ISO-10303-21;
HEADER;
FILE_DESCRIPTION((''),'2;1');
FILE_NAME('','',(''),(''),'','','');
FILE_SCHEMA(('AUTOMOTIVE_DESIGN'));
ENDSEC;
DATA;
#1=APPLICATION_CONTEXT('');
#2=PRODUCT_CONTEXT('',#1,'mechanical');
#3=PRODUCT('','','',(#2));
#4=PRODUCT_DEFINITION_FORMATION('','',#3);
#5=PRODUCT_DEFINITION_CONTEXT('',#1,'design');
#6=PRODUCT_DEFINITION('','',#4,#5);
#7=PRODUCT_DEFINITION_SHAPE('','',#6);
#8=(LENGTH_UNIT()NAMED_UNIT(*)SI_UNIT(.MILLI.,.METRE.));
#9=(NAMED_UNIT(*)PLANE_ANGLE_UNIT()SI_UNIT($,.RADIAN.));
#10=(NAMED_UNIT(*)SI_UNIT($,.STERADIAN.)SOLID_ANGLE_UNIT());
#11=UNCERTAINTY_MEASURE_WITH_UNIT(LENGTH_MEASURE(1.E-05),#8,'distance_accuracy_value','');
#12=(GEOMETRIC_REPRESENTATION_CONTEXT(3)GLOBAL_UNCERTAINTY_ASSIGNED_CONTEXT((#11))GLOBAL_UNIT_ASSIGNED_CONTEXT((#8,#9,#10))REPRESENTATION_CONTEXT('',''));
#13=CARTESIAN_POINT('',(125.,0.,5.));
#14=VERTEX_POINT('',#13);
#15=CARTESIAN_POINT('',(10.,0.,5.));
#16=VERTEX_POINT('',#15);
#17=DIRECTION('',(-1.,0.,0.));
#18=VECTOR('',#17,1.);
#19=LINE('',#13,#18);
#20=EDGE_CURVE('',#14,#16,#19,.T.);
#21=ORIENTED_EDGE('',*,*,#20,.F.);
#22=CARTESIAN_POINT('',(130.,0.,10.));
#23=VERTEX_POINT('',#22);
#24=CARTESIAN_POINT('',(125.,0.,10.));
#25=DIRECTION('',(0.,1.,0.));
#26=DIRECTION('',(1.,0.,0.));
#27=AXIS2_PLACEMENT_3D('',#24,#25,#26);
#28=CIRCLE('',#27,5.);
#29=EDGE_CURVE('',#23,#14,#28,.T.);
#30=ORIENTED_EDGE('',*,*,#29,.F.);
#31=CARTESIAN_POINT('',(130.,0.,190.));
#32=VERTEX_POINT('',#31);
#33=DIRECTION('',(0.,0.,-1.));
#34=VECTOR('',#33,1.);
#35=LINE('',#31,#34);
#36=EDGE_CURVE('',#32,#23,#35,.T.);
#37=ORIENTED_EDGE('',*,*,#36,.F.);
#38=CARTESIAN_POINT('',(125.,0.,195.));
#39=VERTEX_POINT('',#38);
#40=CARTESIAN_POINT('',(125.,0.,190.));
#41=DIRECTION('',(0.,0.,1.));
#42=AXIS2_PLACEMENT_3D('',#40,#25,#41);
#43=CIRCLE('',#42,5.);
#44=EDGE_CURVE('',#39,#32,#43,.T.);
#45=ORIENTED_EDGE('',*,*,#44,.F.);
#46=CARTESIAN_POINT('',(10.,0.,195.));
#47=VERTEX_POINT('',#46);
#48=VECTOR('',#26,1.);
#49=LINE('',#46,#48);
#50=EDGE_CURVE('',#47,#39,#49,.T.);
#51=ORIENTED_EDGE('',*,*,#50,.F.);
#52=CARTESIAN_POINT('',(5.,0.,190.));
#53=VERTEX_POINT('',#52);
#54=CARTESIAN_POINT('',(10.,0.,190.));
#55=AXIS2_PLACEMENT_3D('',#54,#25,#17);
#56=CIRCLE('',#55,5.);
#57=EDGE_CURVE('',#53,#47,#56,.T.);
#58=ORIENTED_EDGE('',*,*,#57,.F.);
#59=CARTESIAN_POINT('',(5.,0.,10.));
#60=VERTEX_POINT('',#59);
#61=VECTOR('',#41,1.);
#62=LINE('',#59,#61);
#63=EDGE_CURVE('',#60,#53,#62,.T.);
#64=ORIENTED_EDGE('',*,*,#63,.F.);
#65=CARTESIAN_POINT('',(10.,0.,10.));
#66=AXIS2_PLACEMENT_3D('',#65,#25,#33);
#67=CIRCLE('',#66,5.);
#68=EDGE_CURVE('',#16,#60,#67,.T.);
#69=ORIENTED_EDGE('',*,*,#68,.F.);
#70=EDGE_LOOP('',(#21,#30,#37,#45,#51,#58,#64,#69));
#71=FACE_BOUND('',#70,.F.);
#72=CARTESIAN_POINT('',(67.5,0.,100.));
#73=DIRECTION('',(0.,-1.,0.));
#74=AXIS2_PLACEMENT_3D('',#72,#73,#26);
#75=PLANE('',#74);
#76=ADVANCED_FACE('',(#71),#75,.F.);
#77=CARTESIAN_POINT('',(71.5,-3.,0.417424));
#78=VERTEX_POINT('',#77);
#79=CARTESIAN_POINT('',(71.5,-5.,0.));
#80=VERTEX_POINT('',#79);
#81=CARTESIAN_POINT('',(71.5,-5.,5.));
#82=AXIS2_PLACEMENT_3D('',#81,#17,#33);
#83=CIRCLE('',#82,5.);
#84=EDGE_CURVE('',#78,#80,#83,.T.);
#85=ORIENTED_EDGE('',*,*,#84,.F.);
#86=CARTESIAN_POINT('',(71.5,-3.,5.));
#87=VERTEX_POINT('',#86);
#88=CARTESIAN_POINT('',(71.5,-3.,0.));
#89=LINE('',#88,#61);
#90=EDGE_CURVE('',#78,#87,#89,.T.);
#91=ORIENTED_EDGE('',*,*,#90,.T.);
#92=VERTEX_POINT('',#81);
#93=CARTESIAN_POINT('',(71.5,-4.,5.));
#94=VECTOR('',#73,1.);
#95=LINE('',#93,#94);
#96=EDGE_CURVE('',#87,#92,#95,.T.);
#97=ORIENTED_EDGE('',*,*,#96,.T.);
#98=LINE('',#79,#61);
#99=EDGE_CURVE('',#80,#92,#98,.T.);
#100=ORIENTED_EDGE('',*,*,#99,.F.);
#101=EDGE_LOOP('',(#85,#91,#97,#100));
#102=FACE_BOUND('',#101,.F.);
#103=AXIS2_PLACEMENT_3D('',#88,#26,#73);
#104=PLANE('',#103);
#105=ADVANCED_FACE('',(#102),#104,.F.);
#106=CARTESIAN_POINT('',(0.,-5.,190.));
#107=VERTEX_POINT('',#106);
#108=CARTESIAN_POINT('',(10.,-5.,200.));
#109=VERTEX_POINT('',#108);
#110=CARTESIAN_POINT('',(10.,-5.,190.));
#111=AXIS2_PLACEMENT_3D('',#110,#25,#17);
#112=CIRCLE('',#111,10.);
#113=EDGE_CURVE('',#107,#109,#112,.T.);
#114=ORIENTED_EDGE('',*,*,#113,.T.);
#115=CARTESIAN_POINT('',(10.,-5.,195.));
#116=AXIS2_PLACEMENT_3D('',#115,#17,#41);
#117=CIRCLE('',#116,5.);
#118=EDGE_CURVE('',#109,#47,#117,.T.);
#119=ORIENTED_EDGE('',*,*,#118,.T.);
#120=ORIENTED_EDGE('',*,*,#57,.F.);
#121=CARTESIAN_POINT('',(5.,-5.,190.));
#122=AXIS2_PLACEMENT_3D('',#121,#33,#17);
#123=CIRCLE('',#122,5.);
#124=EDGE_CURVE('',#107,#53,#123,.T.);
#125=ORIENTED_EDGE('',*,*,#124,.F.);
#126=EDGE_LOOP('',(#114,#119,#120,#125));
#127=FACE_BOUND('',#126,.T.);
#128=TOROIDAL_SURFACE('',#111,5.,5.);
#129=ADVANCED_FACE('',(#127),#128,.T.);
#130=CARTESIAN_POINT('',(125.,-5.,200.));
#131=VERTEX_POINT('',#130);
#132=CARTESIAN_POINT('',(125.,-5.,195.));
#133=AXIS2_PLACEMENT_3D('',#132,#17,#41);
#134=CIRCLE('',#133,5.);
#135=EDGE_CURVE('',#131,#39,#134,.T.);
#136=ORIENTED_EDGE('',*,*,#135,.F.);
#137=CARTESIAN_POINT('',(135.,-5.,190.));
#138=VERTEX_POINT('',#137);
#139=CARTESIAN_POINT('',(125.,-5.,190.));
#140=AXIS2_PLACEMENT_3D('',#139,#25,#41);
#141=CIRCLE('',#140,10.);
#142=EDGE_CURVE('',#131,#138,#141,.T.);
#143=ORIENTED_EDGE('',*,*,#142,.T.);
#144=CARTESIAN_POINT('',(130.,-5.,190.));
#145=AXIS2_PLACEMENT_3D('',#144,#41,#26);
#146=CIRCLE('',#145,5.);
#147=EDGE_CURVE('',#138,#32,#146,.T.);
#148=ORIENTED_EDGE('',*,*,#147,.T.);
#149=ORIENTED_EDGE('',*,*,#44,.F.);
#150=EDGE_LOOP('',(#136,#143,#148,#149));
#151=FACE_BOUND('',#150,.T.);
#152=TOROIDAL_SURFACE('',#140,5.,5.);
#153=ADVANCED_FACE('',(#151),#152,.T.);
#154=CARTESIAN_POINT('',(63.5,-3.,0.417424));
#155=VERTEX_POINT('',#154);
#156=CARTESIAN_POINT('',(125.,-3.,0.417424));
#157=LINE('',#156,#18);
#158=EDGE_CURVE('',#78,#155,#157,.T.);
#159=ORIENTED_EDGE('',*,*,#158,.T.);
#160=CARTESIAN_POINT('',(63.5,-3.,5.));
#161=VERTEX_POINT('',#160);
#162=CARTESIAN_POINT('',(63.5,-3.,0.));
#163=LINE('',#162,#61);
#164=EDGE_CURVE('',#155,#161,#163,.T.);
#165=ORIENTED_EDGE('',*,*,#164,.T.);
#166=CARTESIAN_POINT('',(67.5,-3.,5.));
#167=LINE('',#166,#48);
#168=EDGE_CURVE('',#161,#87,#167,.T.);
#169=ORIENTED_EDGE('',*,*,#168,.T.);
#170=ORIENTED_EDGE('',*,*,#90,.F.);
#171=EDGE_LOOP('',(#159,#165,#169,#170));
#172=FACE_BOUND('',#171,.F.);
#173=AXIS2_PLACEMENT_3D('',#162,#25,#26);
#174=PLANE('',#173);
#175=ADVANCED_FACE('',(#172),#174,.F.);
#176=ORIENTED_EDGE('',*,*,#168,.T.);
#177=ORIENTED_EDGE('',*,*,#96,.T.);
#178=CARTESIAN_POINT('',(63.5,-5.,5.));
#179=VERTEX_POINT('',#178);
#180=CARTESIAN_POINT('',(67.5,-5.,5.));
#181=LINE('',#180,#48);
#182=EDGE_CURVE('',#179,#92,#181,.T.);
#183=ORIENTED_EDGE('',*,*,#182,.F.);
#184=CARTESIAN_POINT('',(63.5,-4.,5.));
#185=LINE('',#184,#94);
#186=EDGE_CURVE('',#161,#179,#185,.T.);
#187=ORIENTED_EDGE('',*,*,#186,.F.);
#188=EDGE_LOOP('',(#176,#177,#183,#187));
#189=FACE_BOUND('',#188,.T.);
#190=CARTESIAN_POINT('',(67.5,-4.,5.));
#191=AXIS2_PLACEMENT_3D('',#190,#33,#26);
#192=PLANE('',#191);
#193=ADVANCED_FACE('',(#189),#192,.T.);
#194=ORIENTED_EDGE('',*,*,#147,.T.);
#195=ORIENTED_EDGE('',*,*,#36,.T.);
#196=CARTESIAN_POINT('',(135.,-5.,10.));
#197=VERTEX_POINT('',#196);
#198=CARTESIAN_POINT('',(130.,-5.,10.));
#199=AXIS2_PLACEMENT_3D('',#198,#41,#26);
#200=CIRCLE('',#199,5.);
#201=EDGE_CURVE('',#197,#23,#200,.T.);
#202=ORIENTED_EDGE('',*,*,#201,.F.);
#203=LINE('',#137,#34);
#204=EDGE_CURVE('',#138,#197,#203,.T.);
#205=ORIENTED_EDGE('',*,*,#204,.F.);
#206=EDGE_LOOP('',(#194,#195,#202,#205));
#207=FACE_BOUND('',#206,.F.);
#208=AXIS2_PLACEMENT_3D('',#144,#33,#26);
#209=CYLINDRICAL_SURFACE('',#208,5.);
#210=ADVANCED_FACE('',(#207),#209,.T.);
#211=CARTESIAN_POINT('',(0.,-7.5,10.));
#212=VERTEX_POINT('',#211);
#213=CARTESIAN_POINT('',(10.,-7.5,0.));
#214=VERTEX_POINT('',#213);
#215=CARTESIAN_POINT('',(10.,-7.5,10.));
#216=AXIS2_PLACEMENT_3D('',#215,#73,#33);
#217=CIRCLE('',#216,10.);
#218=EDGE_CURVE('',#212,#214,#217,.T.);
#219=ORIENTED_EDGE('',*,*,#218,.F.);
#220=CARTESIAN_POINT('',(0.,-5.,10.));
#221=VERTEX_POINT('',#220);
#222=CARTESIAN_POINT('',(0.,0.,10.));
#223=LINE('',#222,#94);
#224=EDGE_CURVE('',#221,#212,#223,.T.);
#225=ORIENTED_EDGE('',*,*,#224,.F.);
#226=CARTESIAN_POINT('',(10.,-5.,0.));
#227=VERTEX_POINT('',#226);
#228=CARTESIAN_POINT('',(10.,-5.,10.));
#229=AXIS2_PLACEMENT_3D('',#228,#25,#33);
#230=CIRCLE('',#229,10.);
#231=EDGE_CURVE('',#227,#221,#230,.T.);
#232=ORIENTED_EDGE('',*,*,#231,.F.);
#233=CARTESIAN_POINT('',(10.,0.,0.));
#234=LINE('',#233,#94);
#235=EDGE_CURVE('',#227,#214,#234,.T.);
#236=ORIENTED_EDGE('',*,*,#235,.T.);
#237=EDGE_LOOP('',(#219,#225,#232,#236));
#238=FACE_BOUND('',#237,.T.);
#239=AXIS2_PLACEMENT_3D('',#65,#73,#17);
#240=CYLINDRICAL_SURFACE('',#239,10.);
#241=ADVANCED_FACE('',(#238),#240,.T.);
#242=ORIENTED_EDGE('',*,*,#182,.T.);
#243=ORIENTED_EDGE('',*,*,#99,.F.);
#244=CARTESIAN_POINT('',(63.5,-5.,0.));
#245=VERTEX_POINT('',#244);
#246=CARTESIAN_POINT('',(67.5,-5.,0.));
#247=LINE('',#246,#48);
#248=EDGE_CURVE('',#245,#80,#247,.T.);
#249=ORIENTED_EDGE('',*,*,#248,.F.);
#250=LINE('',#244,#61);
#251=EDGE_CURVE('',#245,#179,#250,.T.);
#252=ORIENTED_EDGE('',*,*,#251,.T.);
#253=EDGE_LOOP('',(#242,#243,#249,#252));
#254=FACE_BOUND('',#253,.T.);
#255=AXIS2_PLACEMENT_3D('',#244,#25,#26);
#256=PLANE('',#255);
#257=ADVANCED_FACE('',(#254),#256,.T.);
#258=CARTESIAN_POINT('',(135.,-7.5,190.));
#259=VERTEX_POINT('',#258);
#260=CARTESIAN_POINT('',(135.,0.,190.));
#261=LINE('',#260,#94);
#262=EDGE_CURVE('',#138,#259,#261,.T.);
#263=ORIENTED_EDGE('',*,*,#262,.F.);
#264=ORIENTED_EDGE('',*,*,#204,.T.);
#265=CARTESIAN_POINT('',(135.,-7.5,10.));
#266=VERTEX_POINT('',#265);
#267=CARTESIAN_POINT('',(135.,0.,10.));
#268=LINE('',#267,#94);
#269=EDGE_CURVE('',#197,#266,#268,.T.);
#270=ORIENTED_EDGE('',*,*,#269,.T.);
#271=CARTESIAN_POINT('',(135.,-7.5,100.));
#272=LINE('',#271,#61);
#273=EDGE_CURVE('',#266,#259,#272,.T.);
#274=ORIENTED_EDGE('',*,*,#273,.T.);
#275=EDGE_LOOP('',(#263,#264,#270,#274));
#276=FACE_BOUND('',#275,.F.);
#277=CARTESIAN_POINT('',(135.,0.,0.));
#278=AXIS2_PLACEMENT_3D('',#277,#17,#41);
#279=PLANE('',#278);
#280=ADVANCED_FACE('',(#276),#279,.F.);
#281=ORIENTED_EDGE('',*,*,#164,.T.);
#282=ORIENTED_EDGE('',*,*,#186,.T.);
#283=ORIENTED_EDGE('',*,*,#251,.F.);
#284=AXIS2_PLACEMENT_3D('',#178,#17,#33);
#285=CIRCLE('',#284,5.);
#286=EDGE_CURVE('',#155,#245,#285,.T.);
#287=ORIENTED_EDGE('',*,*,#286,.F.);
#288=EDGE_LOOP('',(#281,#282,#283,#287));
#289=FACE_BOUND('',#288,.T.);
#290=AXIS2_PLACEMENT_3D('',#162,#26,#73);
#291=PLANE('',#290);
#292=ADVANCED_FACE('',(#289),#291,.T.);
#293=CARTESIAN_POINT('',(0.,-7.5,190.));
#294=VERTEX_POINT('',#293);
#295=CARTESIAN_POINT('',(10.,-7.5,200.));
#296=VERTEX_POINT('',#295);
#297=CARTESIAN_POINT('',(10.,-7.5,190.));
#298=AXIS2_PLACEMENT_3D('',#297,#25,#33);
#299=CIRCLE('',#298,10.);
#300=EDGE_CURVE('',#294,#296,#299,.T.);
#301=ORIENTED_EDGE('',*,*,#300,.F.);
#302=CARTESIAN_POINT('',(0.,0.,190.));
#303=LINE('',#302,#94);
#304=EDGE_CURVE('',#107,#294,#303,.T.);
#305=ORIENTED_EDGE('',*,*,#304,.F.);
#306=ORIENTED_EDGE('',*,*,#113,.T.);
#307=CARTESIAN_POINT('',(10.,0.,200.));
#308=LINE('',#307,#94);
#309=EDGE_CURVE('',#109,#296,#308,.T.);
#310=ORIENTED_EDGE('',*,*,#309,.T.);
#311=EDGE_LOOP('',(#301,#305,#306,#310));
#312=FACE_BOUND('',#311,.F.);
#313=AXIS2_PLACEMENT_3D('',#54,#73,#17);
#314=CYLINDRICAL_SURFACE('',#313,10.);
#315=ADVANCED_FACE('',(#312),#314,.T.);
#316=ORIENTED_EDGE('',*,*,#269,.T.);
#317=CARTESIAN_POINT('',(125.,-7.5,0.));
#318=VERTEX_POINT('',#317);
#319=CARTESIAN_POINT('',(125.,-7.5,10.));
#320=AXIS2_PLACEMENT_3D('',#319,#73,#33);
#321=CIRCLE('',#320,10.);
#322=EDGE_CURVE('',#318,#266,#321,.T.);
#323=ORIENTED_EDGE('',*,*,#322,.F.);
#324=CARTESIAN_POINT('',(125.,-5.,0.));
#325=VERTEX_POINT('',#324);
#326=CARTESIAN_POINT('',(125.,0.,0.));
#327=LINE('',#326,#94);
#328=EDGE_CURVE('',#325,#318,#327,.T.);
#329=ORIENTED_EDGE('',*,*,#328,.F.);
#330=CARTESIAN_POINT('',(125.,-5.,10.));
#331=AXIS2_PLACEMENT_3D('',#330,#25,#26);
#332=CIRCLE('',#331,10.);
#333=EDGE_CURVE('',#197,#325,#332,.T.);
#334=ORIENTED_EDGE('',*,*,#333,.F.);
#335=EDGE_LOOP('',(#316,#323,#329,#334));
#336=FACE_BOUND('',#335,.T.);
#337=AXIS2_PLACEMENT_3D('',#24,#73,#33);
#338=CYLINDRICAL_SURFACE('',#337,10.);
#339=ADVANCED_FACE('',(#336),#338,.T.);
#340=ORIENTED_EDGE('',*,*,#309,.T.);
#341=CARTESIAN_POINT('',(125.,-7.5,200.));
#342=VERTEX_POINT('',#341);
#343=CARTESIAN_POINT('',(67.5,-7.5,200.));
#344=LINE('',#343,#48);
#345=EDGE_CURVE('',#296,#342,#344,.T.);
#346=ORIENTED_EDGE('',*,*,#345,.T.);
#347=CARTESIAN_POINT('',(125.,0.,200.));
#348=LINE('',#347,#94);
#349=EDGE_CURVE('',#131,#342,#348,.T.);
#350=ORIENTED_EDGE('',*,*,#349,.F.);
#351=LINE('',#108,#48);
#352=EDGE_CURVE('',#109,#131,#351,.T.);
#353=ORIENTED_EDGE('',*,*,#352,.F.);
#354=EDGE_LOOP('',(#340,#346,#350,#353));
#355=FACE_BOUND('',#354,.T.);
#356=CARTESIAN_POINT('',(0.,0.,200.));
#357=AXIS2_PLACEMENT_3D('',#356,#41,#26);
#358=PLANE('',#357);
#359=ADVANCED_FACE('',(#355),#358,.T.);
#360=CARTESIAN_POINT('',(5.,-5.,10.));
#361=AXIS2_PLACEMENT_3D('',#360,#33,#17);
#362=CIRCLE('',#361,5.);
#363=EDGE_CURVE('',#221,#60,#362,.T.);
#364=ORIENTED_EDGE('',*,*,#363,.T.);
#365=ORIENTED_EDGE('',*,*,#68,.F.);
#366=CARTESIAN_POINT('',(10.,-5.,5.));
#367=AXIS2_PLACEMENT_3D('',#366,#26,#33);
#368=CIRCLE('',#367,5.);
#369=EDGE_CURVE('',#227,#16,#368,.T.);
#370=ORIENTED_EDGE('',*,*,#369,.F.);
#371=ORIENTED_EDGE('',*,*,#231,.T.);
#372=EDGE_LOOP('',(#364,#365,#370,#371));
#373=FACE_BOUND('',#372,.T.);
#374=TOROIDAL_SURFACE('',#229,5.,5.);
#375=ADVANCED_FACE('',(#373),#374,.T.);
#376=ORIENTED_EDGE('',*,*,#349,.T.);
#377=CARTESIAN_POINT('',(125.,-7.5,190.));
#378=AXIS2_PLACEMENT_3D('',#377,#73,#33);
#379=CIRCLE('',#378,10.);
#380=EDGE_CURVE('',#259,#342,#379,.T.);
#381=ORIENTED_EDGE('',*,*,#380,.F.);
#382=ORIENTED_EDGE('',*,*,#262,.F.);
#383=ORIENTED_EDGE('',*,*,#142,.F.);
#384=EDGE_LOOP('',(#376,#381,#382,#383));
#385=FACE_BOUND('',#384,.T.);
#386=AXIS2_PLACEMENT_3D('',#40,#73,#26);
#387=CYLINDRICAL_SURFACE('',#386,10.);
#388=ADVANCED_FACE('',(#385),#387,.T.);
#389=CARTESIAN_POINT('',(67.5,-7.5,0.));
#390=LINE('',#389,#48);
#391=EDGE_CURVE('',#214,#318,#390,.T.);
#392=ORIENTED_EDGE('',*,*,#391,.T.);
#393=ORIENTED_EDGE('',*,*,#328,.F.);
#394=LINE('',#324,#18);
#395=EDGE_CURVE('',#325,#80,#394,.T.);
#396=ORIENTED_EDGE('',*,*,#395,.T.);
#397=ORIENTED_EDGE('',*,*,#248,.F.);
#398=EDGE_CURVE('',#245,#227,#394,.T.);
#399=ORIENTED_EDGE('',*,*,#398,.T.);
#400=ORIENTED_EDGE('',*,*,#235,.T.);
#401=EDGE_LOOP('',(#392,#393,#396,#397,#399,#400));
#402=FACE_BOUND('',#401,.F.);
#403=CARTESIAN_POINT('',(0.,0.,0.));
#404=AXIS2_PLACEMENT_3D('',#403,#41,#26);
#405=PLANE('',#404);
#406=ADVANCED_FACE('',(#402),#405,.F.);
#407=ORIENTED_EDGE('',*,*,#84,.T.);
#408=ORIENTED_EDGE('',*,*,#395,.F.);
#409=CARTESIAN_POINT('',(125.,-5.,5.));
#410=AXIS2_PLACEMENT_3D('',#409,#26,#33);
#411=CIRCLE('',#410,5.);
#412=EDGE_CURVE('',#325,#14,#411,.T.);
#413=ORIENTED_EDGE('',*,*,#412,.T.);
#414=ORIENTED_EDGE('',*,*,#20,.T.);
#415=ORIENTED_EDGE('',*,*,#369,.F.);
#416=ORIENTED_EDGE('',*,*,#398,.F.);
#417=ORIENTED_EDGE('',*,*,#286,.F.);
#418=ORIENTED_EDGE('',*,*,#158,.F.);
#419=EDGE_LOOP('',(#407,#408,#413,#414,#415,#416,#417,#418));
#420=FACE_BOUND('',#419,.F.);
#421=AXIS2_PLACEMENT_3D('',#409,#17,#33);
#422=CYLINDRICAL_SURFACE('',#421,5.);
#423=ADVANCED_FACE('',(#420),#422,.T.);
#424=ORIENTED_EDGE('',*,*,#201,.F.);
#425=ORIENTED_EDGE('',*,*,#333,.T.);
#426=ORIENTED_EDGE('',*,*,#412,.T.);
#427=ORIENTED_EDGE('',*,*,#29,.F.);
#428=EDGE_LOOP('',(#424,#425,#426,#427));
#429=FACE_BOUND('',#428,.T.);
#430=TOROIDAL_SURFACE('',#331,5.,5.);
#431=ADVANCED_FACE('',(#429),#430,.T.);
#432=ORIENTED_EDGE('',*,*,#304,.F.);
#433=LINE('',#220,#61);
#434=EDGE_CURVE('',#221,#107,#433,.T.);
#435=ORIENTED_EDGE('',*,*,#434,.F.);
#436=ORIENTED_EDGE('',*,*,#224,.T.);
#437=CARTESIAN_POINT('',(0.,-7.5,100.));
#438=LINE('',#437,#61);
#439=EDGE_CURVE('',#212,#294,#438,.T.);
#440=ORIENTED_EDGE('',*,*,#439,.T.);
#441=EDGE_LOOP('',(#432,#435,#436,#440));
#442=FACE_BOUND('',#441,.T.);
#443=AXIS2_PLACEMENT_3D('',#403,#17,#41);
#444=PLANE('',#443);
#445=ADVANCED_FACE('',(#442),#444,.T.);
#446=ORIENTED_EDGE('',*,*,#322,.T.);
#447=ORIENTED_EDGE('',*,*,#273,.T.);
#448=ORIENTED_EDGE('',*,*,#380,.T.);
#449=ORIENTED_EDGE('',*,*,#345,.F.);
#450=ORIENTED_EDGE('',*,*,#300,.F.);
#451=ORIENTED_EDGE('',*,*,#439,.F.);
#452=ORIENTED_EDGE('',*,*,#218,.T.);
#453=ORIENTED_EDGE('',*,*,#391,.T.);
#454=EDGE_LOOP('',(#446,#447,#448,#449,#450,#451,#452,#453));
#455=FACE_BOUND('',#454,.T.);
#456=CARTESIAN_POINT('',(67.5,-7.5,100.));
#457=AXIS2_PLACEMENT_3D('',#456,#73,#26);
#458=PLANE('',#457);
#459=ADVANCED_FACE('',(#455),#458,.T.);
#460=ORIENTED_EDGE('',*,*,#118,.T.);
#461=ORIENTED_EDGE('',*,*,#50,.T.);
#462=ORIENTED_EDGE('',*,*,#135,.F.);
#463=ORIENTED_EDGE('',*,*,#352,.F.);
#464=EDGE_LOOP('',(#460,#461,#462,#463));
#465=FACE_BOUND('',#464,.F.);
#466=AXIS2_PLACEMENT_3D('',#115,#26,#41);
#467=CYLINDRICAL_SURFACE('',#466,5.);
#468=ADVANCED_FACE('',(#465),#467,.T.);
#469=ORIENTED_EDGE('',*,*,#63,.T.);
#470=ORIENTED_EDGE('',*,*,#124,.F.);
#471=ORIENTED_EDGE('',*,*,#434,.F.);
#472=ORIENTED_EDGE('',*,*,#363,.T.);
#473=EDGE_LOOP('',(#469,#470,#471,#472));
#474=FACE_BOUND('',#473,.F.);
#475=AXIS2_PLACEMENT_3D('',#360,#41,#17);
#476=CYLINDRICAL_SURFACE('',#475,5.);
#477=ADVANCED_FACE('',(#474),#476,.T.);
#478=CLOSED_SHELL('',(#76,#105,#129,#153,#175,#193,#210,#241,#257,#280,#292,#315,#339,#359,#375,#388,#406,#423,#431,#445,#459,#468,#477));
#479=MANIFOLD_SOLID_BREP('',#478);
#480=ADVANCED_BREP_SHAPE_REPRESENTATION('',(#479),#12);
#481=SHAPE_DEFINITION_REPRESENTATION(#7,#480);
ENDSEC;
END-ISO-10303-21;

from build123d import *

# Parameters (mm, degrees)
F0_W     = 135
F0_H     = 200
F1_DEPTH = 7.5
F2_R     = 10
F3_R     = 5
F4_W     = 8
F4_H     = 2
F5_DEPTH = 5


with BuildPart() as f1:
    # F0 (on Front) → F1 (new body)
    with BuildSketch(Plane.XZ):
        with Locations((67.5, 100)):
            Rectangle(F0_W, F0_H)
    extrude(amount=F1_DEPTH)

    # F2
    f2_edges = [f1.edges().sort_by_distance(p)[0] for p in [
        (0, -3.75, 200),
        (135, -3.75, 200),
        (0, -3.75, 0),
        (135, -3.75, 0),
    ]]
    fillet(f2_edges, radius=F2_R)

    # F3
    f3_edges = [f1.edges().sort_by_distance(p)[0] for p in [
        (0, 0, 100),
        (67.5, 0, 200),
        (2.928932, 0, 197.071068),
    ]]
    fillet(f3_edges, radius=F3_R)

    # F4 (on face) → F5 (cut)
    with BuildSketch(Plane(origin=(0, 0, 0), x_dir=(1, 0, 0), z_dir=(0, 0, -1))):
        with Locations((67.5, 4)):
            Rectangle(F4_W, F4_H)
    extrude(amount=-F5_DEPTH, mode=Mode.SUBTRACT)


solid = f1.part
